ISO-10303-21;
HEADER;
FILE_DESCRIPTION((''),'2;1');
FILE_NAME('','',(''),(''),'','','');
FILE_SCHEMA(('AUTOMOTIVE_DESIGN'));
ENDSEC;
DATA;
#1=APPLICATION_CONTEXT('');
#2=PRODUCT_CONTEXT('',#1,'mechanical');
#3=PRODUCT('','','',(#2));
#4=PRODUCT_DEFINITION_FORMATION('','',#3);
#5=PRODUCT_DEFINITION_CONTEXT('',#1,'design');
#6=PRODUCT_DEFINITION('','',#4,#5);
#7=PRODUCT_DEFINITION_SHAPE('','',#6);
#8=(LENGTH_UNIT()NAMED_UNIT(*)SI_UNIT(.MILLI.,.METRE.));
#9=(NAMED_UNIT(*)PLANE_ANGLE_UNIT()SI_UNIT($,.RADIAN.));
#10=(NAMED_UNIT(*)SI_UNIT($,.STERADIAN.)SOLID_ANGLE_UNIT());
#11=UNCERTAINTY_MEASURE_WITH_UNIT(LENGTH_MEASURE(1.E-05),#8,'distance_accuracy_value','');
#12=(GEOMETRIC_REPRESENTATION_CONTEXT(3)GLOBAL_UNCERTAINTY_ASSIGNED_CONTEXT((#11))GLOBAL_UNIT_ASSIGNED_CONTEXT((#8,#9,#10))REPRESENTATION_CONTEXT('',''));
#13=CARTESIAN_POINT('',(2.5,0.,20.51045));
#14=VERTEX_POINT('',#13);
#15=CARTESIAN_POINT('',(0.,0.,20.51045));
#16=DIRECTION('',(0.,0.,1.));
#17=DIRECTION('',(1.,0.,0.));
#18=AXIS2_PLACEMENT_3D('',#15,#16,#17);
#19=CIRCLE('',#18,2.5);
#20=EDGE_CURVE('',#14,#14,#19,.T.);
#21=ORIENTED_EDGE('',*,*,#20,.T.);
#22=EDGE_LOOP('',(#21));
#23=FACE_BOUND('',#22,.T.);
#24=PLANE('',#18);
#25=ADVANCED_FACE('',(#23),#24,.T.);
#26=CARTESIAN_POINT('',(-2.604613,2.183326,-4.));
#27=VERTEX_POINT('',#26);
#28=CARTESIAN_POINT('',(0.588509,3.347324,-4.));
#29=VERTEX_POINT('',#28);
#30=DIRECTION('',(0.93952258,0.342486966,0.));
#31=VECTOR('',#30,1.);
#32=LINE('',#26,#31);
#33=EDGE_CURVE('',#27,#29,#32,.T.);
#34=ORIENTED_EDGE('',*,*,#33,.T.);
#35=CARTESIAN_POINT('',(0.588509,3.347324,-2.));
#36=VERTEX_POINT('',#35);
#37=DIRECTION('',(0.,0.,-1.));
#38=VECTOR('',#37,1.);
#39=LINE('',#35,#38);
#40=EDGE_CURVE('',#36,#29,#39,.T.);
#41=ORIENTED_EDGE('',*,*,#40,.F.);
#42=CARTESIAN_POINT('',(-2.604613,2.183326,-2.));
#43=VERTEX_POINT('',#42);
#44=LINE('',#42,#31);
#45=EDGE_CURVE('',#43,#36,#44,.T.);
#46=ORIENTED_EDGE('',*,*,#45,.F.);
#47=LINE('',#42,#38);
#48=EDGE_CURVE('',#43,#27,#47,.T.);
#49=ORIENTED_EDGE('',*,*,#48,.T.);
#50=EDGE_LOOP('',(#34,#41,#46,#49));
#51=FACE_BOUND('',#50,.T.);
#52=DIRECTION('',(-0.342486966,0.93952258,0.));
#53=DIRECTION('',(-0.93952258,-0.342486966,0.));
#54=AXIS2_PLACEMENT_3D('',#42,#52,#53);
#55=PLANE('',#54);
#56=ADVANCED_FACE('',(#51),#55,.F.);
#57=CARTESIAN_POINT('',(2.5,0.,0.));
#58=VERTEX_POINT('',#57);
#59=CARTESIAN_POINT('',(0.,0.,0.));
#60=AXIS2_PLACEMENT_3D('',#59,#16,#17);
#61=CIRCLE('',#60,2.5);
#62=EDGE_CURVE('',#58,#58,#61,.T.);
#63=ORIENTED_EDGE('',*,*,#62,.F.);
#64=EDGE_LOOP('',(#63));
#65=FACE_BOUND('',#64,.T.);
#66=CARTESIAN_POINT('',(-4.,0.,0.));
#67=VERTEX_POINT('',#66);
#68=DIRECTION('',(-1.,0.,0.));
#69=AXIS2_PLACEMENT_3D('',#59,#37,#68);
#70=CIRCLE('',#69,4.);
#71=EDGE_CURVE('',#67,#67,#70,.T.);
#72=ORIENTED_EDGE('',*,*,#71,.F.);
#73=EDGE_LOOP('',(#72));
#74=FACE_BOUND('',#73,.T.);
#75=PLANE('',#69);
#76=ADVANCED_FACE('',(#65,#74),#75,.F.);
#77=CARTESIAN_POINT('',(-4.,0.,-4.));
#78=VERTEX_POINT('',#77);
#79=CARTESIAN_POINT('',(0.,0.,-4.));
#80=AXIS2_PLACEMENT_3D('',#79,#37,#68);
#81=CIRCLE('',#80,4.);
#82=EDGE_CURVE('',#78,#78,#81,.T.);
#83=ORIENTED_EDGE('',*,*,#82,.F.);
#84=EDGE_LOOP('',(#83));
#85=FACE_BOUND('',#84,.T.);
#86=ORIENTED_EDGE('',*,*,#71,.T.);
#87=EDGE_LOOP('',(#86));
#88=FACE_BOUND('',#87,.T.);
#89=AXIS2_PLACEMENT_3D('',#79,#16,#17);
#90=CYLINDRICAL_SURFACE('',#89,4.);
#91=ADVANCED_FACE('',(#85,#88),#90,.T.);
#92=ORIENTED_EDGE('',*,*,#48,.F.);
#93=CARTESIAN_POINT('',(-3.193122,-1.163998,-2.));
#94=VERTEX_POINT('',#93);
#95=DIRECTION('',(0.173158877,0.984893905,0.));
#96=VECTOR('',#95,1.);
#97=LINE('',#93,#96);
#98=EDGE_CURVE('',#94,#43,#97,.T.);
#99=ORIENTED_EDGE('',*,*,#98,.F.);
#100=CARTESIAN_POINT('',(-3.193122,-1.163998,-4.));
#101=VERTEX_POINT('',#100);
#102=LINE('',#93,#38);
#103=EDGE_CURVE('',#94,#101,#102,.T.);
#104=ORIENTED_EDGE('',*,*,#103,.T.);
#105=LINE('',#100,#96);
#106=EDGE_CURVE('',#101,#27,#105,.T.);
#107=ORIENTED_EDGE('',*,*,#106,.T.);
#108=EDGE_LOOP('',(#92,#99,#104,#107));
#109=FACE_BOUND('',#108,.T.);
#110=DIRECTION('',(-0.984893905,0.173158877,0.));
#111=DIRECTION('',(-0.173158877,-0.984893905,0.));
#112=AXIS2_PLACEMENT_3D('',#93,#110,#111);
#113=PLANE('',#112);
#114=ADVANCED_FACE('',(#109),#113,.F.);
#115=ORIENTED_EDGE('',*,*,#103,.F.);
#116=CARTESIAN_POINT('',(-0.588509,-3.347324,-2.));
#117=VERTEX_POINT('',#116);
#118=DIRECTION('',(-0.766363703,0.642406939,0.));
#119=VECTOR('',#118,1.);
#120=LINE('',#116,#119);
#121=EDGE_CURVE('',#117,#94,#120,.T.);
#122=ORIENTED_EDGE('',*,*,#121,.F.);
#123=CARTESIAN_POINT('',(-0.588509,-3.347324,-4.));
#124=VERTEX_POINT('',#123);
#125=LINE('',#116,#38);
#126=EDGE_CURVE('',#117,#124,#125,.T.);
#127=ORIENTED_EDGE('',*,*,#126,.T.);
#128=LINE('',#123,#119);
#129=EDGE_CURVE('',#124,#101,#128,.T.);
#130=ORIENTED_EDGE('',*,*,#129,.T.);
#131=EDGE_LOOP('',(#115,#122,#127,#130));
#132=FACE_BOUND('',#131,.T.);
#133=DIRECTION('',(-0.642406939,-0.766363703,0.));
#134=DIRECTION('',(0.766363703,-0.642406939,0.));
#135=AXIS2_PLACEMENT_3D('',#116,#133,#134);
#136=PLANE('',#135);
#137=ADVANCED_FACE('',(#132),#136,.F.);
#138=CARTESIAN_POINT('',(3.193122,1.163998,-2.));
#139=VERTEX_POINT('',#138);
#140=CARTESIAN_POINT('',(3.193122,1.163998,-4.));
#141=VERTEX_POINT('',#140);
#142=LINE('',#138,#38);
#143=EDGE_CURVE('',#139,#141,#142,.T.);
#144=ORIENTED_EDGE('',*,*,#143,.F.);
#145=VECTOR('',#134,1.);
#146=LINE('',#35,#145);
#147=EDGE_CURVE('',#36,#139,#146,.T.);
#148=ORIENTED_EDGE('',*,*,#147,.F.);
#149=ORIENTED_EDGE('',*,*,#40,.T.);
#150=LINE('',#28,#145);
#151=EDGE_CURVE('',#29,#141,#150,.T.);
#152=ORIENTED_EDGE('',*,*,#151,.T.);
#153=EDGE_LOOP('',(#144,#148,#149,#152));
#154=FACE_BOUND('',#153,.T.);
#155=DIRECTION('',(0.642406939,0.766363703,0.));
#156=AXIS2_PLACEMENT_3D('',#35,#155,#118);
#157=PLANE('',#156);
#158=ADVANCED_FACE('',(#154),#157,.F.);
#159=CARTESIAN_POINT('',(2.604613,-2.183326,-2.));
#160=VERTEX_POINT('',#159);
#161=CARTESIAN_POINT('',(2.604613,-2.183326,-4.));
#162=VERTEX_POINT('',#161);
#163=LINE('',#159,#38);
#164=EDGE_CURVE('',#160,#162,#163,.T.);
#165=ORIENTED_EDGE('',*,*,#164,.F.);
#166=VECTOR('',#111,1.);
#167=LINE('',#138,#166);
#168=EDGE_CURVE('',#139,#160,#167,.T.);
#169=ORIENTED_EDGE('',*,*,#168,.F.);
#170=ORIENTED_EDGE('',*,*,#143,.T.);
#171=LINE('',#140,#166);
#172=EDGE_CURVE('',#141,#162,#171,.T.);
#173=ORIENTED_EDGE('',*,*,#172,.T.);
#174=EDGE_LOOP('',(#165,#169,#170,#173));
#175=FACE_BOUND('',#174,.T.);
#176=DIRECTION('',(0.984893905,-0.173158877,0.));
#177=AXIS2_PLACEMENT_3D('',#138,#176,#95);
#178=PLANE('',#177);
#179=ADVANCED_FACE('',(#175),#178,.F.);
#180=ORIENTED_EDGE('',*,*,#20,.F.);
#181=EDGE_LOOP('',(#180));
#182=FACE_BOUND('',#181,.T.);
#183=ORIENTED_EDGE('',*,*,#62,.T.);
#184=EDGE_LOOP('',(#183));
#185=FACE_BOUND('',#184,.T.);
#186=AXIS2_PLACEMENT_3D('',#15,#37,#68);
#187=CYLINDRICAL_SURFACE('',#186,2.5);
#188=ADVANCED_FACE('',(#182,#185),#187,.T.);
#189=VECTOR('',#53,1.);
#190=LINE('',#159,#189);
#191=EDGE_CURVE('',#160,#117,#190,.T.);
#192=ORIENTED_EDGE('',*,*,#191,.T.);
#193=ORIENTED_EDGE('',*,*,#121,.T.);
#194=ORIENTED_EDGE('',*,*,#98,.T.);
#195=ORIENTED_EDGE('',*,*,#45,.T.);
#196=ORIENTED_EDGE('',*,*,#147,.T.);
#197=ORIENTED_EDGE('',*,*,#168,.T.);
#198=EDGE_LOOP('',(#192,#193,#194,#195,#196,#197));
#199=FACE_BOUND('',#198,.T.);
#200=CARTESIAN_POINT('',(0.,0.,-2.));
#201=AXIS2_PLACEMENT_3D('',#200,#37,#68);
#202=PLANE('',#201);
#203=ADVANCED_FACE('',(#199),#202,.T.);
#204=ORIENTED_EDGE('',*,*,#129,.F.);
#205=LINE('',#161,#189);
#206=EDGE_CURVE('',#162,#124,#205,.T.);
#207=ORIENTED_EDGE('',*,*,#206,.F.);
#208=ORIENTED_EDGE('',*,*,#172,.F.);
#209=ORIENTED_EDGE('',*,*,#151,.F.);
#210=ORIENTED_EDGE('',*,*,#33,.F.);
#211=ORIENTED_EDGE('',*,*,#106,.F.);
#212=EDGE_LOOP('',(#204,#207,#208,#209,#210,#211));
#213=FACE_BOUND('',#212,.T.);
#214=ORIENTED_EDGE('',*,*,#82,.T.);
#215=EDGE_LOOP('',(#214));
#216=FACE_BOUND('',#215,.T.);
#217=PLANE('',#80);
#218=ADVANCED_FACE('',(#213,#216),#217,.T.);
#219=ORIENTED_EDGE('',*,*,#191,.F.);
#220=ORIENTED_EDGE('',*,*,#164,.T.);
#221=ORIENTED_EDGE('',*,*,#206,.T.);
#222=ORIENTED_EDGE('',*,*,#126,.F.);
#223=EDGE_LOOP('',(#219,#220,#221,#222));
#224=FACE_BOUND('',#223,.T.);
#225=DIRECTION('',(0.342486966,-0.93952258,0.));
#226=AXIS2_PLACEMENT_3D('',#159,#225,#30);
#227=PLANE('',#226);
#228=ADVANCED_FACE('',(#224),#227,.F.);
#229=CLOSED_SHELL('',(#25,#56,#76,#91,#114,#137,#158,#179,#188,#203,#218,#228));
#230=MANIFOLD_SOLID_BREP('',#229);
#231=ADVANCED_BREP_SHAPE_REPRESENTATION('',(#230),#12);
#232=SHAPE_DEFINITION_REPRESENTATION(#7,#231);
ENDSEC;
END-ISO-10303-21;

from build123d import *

# Parameters (mm, degrees)
SKETCH1_R           = 2.5
BOSS_EXTRUDE1_DEPTH = 20.51045
SKETCH2_R           = 4
BOSS_EXTRUDE2_DEPTH = 4
CUT_EXTRUDE1_DEPTH  = 2


with BuildPart() as part:
    # Sketch1 → Boss-Extrude1 (new body)
    with BuildSketch(Plane.XY):
        Circle(SKETCH1_R)
    extrude(amount=BOSS_EXTRUDE1_DEPTH)

    # Sketch2 → Boss-Extrude2 (add)
    with BuildSketch(Plane(origin=(0, 0, 0), x_dir=(-1, 0, 0), z_dir=(0, 0, -1))):
        Circle(SKETCH2_R)
    extrude(amount=BOSS_EXTRUDE2_DEPTH)

    # Sketch3 → Cut-Extrude1 (cut)
    with BuildSketch(Plane(origin=(0, 0, -4), x_dir=(-1, 0, 0), z_dir=(0, 0, -1))):
        Polygon((-0.588508987, 3.347324285), (-3.193122359, 1.16399841), (-2.604613372, -2.183325875), (0.588508987, -3.347324285), (3.193122359, -1.16399841), (2.604613372, 2.183325875), align=None)
    extrude(amount=-CUT_EXTRUDE1_DEPTH, mode=Mode.SUBTRACT)


solid = part.part
